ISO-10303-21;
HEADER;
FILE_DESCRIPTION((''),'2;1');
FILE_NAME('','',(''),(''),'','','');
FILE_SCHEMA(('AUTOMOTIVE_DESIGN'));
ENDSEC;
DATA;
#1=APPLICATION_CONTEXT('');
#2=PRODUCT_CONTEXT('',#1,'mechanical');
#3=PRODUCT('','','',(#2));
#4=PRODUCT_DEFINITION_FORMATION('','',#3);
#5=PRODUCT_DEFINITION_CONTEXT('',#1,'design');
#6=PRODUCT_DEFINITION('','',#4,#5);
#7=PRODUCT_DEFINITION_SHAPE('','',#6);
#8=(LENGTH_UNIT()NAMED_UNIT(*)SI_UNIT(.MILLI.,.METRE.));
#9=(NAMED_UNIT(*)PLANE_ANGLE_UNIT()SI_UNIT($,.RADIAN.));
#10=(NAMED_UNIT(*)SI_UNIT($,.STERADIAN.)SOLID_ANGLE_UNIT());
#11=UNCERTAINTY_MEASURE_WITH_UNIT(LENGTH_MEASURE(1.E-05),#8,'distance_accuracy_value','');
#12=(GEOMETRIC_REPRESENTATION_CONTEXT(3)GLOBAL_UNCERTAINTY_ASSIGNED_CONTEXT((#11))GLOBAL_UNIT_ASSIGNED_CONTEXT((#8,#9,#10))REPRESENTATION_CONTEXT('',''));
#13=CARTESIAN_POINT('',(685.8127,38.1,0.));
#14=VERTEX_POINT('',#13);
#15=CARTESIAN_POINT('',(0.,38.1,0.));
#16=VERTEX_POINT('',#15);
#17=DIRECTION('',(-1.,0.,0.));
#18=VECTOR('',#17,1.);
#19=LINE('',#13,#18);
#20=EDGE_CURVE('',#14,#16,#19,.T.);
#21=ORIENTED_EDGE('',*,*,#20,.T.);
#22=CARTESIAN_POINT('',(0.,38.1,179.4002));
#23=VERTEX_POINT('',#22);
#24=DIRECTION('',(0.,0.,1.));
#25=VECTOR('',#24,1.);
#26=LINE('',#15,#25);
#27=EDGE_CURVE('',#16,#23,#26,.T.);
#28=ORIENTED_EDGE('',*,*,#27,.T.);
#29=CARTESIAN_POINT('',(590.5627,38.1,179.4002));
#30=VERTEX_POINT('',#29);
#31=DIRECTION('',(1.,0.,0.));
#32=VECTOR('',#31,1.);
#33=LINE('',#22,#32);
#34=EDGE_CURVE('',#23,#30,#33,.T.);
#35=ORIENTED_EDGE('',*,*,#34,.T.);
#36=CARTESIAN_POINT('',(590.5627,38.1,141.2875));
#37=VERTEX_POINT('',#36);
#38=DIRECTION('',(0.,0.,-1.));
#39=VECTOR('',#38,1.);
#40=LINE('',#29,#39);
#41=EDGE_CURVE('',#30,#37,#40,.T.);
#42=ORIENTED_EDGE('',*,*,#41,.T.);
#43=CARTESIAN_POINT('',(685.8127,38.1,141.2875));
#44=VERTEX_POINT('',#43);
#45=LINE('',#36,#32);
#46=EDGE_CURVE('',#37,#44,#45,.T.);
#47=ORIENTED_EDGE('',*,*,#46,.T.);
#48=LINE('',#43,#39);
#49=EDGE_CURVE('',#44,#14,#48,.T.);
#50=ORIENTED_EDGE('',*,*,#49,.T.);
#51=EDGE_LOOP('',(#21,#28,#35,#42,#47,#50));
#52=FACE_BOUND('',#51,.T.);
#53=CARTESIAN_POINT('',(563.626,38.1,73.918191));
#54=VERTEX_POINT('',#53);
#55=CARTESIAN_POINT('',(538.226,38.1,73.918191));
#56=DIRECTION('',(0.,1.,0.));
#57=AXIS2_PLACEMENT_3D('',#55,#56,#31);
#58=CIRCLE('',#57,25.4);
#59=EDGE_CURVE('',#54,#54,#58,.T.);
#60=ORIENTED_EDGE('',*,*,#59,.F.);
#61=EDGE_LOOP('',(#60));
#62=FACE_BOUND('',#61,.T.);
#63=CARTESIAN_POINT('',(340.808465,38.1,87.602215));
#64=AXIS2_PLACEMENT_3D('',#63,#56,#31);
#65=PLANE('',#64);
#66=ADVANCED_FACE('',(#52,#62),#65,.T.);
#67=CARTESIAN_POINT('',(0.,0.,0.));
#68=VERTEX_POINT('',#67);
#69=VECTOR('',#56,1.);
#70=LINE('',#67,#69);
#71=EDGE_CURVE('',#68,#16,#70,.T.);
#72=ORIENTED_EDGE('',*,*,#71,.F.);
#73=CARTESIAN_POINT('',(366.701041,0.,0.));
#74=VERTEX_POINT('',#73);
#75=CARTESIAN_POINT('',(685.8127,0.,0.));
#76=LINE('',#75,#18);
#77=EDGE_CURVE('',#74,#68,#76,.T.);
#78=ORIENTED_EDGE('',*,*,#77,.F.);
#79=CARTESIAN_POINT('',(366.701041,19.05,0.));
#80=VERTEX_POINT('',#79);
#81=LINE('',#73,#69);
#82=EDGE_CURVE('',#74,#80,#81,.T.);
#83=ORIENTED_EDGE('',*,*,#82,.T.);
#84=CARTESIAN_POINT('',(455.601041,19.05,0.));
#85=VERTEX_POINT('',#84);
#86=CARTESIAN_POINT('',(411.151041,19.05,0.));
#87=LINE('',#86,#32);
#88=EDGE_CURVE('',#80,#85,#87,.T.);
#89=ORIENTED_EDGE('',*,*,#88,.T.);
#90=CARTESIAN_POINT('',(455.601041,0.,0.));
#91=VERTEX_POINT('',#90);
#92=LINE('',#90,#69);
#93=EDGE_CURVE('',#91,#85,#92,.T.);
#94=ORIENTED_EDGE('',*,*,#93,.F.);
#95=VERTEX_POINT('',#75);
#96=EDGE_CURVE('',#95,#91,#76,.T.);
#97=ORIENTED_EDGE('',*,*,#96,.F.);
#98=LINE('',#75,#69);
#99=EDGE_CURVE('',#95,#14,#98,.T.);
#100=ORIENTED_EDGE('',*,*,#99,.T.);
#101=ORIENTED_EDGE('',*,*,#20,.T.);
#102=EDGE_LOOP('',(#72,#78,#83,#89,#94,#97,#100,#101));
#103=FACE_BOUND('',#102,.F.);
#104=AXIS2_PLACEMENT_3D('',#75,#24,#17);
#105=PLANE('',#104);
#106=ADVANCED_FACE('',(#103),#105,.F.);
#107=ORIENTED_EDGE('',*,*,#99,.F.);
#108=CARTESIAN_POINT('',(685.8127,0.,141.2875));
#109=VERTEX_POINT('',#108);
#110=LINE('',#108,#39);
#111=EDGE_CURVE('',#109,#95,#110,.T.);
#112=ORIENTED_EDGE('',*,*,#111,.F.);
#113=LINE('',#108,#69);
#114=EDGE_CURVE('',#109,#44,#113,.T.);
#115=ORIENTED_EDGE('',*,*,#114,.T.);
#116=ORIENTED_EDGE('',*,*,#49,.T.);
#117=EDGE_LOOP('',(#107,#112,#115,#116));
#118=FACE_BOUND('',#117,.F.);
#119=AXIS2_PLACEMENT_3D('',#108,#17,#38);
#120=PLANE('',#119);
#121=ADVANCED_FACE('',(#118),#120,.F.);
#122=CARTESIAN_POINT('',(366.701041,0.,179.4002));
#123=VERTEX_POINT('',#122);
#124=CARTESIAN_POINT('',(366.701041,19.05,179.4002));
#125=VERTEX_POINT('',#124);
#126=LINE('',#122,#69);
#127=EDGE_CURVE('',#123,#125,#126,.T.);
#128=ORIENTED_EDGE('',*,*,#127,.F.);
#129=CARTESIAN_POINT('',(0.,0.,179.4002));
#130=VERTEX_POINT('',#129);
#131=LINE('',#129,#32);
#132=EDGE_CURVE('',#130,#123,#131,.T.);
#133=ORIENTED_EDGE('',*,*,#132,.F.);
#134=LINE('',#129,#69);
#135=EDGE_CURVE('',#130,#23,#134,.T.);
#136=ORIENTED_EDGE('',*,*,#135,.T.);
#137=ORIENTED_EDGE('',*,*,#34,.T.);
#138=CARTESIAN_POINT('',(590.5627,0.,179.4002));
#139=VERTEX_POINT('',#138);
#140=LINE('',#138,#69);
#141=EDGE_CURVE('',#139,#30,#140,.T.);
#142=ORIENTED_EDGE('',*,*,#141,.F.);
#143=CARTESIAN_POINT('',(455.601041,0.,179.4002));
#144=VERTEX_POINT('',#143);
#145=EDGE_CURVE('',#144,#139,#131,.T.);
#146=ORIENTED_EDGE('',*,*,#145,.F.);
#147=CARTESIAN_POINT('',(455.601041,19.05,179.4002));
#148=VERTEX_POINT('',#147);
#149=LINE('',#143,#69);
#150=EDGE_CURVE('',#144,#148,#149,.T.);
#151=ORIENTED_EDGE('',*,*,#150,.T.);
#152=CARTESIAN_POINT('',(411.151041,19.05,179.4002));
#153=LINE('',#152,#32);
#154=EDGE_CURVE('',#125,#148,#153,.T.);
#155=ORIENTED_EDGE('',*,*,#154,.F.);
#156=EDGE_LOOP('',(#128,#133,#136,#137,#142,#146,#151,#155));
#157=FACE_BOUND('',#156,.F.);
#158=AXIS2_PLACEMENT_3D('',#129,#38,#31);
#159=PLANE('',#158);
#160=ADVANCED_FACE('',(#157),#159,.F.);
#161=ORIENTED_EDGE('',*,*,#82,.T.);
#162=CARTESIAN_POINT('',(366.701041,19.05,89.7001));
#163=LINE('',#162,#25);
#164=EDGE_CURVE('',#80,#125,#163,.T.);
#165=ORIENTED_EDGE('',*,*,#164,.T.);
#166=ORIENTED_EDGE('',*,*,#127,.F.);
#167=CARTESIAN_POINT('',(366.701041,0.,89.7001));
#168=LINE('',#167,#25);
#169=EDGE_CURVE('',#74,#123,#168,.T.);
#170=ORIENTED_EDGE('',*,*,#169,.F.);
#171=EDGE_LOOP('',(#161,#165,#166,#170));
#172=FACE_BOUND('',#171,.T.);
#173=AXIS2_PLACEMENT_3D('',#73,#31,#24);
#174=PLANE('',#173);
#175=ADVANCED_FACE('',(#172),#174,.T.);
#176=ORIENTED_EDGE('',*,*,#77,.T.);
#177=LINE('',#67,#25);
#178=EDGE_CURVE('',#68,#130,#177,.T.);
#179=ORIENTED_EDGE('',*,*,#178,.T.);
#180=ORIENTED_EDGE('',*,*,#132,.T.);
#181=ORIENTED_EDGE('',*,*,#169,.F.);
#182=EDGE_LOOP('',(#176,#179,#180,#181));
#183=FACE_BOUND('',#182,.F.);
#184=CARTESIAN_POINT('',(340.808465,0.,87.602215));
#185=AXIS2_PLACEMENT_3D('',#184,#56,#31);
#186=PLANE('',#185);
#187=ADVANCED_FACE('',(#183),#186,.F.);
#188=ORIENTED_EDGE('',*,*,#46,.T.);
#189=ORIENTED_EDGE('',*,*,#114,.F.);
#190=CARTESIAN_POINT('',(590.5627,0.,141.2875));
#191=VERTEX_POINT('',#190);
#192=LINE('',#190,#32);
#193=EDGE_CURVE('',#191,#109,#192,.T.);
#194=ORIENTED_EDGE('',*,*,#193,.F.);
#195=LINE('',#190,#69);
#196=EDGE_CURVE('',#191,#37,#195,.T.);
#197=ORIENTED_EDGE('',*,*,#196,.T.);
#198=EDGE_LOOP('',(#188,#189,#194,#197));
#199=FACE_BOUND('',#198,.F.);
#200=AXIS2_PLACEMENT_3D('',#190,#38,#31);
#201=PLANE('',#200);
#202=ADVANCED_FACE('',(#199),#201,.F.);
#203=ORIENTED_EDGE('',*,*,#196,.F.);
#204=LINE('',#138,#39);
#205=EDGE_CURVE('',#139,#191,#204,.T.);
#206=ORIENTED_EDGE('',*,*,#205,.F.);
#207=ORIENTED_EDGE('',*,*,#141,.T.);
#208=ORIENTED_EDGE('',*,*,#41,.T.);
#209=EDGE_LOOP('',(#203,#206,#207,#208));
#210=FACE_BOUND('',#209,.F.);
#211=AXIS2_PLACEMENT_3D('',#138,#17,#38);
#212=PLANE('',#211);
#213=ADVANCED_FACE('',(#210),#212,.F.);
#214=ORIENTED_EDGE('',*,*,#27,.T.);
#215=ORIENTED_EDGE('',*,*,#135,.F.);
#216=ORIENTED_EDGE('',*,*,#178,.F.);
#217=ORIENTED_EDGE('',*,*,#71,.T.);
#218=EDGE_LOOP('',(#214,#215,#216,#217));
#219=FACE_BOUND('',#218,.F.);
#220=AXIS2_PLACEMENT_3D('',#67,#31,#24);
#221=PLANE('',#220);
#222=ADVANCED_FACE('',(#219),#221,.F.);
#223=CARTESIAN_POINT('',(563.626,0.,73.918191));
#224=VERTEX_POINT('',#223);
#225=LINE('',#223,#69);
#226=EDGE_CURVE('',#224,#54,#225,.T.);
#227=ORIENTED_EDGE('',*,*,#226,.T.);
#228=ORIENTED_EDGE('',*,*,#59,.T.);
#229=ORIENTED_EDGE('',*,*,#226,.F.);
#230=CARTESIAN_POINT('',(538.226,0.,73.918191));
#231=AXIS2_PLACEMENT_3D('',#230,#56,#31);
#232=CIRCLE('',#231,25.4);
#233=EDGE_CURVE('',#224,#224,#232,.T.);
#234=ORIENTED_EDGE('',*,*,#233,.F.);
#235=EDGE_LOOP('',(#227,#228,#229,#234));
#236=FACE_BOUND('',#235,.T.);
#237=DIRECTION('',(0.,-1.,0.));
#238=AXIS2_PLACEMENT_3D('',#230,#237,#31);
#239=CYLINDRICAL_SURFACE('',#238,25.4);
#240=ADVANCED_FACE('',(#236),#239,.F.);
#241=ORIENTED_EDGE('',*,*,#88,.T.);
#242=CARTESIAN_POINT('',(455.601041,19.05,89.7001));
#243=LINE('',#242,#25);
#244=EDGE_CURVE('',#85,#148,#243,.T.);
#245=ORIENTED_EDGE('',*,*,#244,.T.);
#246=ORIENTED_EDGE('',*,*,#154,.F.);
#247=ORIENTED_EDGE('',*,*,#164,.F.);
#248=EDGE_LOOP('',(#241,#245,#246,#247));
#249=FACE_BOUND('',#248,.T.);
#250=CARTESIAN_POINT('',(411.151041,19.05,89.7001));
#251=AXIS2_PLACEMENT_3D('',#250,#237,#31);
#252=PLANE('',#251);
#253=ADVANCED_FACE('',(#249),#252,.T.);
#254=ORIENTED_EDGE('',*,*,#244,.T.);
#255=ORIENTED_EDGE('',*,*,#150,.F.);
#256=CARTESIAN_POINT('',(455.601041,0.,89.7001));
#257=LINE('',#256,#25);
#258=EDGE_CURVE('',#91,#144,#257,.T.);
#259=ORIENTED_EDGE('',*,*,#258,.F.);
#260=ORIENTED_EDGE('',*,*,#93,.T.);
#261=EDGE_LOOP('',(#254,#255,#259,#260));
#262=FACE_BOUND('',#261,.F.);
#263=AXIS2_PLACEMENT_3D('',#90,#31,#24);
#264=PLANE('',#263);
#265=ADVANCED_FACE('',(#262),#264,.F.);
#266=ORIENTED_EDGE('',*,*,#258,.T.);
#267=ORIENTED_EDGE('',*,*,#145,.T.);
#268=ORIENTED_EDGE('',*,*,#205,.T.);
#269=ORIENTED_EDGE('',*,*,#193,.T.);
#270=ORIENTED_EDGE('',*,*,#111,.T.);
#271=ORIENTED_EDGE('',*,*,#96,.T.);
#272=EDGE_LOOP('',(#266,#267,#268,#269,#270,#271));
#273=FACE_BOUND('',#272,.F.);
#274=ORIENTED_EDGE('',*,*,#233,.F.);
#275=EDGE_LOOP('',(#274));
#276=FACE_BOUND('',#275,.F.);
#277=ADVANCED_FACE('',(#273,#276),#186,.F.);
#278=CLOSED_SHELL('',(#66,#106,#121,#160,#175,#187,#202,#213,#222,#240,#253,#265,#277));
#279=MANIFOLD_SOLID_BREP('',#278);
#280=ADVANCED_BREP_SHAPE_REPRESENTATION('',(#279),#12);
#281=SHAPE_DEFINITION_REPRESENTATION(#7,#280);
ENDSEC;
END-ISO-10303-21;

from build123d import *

# Parameters (mm, degrees)
SKETCH1_R           = 25.4
BOSS_EXTRUDE1_DEPTH = 38.1
SKETCH2_W           = 88.9
SKETCH2_H           = 179.4002
CUT_EXTRUDE1_DEPTH  = 19.05


with BuildPart() as part:
    # Sketch1 → Boss-Extrude1 (new body)
    with BuildSketch(Plane(origin=(0, 0, 0), x_dir=(1, 0, 0), z_dir=(0, 1, 0))):
        Polygon((685.8127, 0), (0, 0), (0, -179.4002), (590.5627, -179.4002), (590.5627, -141.2875), (685.8127, -141.2875), align=None)
        with Locations((538.226, -73.918191)):
            Circle(SKETCH1_R, mode=Mode.SUBTRACT)
    extrude(amount=BOSS_EXTRUDE1_DEPTH)

    # Sketch2 → Cut-Extrude1 (cut)
    with BuildSketch(Plane.XZ):
        with Locations((411.15104079, 89.7001)):
            Rectangle(SKETCH2_W, SKETCH2_H)
    extrude(amount=-CUT_EXTRUDE1_DEPTH, mode=Mode.SUBTRACT)


solid = part.part
